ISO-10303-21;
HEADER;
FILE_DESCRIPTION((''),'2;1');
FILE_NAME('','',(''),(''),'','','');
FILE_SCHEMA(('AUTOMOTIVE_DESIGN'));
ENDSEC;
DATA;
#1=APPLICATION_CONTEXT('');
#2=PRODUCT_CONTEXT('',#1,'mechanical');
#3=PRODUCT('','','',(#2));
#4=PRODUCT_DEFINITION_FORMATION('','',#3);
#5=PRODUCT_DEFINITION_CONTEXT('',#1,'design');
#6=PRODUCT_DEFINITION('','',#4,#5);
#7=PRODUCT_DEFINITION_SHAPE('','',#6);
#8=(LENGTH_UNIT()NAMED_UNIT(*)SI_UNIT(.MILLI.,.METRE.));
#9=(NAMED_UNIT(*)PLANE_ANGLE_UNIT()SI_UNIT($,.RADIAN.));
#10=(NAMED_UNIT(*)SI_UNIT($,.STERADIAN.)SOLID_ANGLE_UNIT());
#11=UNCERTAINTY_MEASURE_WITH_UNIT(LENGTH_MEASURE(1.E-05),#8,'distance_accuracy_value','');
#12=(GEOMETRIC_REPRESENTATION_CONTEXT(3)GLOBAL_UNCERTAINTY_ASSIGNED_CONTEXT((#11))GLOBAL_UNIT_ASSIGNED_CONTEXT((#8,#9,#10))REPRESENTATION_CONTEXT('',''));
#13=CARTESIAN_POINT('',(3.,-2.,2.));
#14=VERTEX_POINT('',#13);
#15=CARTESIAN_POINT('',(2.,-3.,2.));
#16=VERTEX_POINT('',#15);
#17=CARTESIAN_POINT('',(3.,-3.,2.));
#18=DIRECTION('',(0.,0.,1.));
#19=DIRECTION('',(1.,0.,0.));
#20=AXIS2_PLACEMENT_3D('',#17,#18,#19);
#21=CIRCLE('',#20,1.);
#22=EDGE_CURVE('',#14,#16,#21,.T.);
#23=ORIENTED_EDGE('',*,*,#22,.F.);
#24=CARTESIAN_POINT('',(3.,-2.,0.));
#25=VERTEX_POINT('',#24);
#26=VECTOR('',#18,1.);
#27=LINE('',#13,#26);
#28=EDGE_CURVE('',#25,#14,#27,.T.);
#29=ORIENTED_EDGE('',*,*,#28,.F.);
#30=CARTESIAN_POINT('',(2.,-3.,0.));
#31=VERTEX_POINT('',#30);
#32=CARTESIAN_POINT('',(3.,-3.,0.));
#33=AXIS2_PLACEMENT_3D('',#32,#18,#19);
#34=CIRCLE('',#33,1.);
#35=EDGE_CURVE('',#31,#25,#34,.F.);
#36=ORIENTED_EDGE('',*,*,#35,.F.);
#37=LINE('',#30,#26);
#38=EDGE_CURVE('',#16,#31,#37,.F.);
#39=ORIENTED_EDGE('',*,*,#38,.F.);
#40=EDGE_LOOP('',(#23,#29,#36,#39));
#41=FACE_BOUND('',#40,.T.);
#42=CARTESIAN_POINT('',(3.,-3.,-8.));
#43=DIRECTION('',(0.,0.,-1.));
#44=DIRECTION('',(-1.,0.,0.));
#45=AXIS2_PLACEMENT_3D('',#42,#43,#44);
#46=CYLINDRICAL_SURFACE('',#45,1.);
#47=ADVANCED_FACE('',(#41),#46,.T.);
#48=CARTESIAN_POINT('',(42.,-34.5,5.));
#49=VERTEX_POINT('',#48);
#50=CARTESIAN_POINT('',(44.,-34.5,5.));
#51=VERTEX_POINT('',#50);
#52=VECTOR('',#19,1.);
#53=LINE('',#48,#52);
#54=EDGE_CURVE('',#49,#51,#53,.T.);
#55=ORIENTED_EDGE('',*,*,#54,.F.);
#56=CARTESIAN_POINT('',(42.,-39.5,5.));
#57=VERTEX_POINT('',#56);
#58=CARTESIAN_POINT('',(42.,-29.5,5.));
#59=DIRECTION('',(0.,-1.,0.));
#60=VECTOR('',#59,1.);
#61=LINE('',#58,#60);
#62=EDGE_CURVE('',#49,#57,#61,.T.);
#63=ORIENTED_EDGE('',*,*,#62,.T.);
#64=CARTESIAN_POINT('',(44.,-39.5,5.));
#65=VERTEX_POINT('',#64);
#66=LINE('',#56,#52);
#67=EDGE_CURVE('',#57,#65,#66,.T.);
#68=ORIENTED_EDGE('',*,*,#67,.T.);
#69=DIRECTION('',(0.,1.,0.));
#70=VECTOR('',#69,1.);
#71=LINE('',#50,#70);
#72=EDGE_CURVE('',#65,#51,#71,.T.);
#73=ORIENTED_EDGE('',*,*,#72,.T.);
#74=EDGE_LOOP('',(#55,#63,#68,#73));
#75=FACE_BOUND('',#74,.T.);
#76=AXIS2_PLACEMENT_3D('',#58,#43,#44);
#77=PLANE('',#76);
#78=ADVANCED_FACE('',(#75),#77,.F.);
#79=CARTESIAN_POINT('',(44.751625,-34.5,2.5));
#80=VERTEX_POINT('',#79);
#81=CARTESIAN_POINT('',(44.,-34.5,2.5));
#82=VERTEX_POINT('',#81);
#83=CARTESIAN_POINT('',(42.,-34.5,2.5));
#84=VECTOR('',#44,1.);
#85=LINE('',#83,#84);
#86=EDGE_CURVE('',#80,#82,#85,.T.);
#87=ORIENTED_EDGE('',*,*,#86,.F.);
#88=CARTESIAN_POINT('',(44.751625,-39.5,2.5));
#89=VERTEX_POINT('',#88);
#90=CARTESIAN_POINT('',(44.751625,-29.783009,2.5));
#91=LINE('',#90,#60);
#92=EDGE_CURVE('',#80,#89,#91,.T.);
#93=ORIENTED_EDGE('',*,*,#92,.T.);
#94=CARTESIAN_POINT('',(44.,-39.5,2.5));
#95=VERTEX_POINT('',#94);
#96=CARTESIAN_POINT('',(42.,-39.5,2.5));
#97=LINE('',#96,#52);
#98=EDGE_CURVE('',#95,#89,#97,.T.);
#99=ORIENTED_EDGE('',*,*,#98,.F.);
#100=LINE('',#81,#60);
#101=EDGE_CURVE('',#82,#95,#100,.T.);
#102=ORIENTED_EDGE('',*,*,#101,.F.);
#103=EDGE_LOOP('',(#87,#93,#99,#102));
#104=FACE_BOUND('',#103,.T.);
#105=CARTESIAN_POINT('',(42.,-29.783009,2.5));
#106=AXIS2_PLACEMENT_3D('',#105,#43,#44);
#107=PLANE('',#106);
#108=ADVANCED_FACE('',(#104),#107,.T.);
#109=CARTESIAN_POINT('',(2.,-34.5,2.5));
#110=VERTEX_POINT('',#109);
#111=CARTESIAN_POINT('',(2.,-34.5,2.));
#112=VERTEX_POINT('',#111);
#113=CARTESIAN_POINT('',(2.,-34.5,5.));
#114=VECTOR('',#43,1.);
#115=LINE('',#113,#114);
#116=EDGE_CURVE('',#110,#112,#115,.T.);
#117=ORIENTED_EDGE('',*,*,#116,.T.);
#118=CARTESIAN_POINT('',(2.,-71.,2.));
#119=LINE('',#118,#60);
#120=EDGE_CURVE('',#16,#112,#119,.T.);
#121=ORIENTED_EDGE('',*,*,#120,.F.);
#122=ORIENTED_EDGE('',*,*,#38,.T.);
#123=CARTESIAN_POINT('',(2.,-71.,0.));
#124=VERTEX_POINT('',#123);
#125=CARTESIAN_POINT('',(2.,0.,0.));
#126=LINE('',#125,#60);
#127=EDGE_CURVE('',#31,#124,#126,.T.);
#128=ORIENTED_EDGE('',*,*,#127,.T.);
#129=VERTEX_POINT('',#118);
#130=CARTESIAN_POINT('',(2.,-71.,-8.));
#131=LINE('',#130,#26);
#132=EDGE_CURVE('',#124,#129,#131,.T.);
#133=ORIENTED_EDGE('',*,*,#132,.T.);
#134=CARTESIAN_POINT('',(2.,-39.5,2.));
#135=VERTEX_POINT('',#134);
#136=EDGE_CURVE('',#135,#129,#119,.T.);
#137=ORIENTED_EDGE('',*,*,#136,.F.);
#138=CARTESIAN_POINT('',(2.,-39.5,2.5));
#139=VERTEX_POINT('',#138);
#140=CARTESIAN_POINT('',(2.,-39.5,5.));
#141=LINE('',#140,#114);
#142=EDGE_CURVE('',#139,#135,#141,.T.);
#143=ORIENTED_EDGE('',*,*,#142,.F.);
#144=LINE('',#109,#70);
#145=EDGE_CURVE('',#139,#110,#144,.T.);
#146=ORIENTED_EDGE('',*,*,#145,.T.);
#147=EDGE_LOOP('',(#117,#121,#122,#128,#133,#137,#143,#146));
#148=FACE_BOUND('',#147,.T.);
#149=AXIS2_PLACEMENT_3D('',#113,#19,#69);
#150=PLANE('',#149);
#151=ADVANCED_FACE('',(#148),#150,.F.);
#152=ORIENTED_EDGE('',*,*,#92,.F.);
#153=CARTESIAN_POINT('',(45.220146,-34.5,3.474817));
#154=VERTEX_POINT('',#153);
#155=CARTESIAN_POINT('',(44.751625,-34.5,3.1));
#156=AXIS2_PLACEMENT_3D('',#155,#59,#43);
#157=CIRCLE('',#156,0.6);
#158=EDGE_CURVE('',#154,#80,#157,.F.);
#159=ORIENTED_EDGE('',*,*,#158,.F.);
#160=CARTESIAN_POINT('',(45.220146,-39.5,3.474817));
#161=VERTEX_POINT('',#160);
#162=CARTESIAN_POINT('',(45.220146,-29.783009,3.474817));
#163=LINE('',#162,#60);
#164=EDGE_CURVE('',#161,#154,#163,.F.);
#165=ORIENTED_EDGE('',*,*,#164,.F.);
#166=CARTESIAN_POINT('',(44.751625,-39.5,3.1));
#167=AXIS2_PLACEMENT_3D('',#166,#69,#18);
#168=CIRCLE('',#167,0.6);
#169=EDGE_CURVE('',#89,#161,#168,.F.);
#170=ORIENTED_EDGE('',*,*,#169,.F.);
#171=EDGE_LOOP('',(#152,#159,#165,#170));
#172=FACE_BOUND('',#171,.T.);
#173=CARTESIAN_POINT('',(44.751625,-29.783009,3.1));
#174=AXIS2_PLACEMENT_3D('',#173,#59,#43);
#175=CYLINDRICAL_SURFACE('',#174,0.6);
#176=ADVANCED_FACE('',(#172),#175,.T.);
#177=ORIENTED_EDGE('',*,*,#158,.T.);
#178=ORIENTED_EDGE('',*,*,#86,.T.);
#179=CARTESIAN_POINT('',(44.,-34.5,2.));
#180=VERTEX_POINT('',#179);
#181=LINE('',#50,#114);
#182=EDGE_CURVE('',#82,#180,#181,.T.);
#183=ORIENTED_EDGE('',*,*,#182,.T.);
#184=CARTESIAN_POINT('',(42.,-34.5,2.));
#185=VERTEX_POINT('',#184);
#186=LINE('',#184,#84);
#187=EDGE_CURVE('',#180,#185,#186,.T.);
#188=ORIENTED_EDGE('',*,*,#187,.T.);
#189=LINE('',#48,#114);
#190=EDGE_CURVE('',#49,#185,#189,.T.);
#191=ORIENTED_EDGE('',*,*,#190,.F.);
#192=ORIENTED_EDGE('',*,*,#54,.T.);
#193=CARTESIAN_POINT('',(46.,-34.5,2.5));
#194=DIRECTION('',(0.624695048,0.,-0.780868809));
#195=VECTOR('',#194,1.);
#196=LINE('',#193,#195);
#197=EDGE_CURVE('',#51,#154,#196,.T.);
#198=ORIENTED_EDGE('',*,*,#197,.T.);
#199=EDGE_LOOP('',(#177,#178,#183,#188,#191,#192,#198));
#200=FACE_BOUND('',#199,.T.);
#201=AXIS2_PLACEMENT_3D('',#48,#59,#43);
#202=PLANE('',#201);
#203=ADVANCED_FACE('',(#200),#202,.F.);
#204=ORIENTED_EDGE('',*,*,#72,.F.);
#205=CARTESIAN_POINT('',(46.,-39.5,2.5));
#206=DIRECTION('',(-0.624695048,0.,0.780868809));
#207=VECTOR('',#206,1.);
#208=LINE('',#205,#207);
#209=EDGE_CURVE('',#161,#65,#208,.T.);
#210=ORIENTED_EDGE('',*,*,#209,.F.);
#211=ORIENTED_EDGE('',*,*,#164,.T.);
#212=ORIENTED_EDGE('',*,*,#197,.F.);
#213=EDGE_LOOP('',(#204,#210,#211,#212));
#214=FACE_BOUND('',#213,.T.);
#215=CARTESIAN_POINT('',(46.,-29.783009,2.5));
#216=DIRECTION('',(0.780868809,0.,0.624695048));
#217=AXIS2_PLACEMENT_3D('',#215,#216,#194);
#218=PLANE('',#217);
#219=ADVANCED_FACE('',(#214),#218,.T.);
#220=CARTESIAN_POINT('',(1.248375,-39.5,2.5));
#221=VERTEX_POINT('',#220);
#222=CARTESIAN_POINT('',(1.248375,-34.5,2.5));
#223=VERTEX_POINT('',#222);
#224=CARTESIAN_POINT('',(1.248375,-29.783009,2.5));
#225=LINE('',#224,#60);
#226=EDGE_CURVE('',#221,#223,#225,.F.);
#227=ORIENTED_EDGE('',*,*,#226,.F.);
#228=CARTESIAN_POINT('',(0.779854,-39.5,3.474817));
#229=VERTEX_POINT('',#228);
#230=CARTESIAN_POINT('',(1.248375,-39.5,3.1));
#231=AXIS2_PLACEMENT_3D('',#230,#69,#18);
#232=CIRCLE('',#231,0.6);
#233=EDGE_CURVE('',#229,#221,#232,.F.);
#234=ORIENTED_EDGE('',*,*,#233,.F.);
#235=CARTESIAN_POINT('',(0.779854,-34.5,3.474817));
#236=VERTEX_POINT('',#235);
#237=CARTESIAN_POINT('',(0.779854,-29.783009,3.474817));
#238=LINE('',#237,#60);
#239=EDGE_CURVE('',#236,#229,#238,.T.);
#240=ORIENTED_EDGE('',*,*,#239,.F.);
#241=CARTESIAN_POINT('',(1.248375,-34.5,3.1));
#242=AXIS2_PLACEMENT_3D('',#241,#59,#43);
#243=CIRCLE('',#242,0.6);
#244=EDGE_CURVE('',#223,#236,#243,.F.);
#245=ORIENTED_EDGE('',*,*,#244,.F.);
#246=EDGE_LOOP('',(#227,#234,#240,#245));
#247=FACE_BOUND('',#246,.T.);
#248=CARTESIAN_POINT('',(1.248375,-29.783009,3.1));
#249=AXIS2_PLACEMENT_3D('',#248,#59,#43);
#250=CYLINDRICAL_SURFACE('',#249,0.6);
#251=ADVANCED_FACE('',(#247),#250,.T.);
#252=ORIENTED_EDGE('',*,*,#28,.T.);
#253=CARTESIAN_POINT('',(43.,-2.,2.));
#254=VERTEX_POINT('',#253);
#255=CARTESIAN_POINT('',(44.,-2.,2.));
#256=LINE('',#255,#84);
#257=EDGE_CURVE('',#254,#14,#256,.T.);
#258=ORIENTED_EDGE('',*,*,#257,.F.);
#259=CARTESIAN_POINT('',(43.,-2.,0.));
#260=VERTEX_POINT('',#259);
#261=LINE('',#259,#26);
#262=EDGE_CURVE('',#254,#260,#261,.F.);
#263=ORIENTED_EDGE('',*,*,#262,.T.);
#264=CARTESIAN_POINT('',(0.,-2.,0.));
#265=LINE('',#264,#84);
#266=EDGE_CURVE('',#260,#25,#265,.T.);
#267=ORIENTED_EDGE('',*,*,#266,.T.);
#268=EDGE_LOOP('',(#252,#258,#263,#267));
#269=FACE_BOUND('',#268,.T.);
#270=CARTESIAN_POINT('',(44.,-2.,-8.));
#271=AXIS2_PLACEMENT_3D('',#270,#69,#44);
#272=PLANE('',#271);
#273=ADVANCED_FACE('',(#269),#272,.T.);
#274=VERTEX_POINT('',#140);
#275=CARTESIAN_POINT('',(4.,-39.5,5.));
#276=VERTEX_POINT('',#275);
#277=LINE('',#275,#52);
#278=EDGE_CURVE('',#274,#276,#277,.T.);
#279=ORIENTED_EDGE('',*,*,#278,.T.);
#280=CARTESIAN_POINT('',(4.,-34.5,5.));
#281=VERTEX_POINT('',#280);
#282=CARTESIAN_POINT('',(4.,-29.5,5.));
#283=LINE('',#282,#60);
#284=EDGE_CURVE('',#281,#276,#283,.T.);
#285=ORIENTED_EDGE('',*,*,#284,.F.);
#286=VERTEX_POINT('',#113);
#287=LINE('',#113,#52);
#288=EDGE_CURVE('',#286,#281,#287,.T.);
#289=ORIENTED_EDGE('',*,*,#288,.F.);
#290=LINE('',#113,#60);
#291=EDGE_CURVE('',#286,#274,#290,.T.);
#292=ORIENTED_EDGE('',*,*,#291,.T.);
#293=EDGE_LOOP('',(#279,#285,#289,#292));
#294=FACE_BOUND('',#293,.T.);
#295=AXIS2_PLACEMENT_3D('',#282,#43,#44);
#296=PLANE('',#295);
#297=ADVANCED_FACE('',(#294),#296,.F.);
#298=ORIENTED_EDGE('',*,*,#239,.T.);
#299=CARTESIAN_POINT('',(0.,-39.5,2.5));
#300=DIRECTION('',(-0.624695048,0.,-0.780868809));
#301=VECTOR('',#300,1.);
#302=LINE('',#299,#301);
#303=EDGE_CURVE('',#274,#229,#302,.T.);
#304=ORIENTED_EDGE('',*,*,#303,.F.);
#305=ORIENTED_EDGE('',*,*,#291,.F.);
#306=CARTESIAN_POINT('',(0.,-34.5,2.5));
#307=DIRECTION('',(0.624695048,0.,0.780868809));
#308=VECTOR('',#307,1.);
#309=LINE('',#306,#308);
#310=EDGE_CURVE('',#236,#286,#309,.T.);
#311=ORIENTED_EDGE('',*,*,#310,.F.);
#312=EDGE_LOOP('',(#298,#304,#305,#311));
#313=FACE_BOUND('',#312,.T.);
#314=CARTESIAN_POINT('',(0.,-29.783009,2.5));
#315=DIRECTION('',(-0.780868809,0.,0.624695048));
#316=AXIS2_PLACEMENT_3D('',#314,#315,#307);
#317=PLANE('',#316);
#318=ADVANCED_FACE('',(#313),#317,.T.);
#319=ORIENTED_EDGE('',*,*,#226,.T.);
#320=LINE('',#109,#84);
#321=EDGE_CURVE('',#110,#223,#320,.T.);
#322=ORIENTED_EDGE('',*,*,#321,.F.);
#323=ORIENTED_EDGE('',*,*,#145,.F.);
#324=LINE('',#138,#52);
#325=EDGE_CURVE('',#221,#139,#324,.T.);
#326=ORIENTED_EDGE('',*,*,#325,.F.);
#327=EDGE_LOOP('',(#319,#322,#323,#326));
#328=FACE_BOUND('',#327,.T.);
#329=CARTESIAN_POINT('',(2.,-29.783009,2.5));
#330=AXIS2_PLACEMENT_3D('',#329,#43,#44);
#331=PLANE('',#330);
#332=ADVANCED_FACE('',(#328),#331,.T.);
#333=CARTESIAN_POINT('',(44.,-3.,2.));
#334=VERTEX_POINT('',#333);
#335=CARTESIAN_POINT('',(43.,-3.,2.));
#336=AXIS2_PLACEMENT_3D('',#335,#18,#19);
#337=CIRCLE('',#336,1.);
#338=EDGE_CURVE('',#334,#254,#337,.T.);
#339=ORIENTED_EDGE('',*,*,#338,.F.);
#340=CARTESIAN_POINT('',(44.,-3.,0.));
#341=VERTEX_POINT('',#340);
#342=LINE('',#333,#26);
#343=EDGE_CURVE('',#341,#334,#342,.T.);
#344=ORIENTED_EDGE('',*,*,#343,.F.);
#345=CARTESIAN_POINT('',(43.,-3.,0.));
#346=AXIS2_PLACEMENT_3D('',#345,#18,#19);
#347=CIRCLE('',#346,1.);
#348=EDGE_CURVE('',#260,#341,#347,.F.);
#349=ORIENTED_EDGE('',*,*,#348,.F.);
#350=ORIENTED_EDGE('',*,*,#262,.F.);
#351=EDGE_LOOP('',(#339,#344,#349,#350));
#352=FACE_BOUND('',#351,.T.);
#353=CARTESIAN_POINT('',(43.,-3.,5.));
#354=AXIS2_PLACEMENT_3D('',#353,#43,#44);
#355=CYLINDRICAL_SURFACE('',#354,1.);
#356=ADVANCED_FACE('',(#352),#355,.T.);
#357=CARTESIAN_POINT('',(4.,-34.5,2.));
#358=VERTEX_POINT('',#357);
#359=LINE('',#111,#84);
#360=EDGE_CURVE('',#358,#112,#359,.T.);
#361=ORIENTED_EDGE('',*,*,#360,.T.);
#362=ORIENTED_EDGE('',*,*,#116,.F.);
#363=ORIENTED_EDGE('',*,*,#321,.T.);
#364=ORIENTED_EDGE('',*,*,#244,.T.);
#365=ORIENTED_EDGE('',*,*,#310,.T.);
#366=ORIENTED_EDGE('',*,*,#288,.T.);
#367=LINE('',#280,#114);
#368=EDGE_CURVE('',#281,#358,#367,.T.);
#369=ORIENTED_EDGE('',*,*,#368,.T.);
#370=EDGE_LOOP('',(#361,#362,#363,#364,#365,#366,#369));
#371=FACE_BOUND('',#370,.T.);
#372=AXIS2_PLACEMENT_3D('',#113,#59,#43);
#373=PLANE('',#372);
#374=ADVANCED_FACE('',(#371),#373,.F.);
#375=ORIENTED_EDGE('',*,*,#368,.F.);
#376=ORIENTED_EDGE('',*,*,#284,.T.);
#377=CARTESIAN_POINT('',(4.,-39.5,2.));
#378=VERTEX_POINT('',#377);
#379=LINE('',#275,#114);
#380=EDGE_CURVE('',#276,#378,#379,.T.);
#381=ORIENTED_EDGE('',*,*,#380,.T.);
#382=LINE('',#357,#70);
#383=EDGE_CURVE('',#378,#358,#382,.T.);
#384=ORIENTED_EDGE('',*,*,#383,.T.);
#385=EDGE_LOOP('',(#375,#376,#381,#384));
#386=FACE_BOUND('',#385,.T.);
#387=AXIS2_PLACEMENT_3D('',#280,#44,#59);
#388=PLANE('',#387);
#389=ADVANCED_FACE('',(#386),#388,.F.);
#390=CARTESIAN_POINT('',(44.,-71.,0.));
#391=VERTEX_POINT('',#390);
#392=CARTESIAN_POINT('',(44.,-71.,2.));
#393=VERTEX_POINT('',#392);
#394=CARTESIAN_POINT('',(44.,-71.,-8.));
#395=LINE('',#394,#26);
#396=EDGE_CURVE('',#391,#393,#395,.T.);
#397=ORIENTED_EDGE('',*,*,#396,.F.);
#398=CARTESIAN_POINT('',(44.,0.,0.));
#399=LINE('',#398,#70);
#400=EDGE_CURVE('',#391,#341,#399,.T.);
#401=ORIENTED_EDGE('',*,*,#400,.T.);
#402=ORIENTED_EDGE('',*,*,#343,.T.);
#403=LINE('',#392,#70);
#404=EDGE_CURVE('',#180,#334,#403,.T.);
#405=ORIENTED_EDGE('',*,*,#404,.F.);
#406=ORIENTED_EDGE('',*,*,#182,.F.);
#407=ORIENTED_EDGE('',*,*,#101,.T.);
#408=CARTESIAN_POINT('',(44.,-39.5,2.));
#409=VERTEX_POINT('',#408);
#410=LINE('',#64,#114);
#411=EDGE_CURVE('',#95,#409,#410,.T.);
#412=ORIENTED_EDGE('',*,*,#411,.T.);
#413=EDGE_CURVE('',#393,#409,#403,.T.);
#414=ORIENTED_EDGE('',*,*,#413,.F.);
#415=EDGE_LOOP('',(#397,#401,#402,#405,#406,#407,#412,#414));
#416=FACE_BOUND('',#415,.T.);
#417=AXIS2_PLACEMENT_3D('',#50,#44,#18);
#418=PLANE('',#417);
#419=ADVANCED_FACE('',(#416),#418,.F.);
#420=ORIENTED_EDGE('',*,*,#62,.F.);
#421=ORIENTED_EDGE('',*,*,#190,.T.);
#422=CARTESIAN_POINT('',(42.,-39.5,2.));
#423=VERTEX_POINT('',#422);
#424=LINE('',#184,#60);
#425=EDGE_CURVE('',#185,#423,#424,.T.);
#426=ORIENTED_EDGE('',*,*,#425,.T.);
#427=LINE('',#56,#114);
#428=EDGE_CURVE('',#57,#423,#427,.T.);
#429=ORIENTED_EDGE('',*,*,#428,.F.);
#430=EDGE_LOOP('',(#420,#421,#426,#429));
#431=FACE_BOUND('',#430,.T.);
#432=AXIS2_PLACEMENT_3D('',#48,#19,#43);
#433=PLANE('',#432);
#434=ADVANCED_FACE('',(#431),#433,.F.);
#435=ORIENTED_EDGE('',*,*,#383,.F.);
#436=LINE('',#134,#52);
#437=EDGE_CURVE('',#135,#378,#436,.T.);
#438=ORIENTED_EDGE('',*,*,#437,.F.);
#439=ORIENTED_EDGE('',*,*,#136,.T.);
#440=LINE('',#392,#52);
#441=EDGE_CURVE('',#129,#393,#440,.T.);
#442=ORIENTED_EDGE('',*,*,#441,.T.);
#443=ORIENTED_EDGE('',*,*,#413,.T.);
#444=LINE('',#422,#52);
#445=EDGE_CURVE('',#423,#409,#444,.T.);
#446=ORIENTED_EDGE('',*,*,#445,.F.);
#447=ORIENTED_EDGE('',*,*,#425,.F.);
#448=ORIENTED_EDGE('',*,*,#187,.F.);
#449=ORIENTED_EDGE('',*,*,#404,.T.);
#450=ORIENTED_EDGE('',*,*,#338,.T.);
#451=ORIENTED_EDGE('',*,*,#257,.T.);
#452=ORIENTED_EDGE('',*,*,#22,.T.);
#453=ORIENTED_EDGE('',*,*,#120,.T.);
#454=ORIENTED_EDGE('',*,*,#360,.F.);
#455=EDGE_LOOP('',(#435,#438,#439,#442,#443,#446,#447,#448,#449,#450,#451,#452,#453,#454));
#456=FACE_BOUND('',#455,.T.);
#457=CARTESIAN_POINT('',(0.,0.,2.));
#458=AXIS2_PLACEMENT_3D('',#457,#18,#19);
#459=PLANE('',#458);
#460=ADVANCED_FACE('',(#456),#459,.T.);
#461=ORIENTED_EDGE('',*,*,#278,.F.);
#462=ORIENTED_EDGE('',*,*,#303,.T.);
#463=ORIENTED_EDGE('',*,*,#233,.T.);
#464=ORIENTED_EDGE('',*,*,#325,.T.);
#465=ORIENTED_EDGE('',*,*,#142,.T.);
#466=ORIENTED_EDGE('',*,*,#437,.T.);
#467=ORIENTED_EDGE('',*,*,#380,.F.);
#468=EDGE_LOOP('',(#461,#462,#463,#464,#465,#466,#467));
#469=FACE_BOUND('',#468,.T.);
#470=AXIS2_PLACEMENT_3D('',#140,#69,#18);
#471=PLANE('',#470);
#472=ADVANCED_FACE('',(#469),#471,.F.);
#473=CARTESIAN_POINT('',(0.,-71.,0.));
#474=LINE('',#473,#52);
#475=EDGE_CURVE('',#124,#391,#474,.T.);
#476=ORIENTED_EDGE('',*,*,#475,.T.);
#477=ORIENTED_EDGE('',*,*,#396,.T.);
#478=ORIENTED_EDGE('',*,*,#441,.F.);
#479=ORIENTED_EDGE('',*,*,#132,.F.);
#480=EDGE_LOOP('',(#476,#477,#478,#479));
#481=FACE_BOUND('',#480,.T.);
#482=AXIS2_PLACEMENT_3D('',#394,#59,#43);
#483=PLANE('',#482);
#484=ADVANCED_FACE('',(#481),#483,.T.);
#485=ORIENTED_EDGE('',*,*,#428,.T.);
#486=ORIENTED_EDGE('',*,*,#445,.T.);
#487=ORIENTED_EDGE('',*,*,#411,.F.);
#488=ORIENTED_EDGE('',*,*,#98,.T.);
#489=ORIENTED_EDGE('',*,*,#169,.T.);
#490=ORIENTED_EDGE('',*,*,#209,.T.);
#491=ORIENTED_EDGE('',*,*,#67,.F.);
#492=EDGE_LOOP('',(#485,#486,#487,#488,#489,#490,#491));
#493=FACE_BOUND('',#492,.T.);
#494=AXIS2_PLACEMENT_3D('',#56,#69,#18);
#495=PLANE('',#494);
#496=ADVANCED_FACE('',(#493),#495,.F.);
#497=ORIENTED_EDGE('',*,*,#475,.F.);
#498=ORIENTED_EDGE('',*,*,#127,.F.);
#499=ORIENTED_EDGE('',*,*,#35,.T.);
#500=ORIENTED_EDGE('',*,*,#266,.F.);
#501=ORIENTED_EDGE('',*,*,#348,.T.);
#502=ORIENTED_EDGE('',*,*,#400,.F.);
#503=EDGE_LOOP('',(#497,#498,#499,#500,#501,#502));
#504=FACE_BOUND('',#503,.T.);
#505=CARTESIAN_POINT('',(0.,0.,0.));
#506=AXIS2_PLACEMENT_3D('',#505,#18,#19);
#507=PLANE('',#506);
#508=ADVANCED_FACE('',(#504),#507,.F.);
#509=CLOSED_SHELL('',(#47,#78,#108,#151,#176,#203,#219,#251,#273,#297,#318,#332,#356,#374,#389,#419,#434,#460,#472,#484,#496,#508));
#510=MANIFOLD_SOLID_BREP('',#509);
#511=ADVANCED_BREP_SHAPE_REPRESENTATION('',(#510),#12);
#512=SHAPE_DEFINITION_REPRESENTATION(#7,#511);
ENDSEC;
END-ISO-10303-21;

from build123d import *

# Parameters (mm, degrees)
SKETCH1_W           = 46
SKETCH1_H           = 73
BOSS_EXTRUDE1_DEPTH = 2
SKETCH2_W           = 2
SKETCH2_H           = 5
BOSS_EXTRUDE2_DEPTH = 3
BOSS_EXTRUDE3_DEPTH = 5
FILLET1_R           = 0.6
FILLET2_R           = 5
SKETCH5_W           = 46
SKETCH5_H           = 73
SKETCH5_W_2         = 42
SKETCH5_H_2         = 69
CUT_EXTRUDE1_DEPTH  = 10
FILLET3_R           = 1
SKETCH6_W           = 4.312342675
SKETCH6_H           = 2.937978419
SKETCH6_W_2         = 4.686780993
SKETCH6_H_2         = 2.65792504
CUT_EXTRUDE2_DEPTH  = 10
BOSS_EXTRUDE4_DEPTH = 5
FILLET4_R           = 0.6


with BuildPart() as part:
    # Sketch1 → Boss-Extrude1 (new body)
    with BuildSketch(Plane.XY):
        with Locations((23, -36.5)):
            Rectangle(SKETCH1_W, SKETCH1_H)
    extrude(amount=BOSS_EXTRUDE1_DEPTH)

    # Sketch2 → Boss-Extrude2 (add)
    with BuildSketch(Plane.XY.offset(2)):
        with Locations((3, -37)):
            Rectangle(SKETCH2_W, SKETCH2_H)
        with Locations((43, -37)):
            Rectangle(SKETCH2_W, SKETCH2_H)
    extrude(amount=BOSS_EXTRUDE2_DEPTH)

    # Sketch3 → Boss-Extrude3 (add)
    with BuildSketch(Plane.XZ.offset(39.5)):
        Polygon((2, 5), (0, 5), (2, 7), (4, 7), (4, 5), align=None)
        Polygon((44, 5), (46, 5), (44, 7), (42, 7), (42, 5), align=None)
    extrude(amount=-BOSS_EXTRUDE3_DEPTH)

    # Fillet1
    fillet1_edges = [part.edges().sort_by_distance(p)[0] for p in [
        (0, -37, 5),
        (46, -37, 5),
    ]]
    fillet(fillet1_edges, radius=FILLET1_R)

    # Fillet2
    fillet2_edges = [part.edges().sort_by_distance(p)[0] for p in [
        (0, 0, 1),
        (46, 0, 1),
    ]]
    fillet(fillet2_edges, radius=FILLET2_R)

    # Sketch5 → Cut-Extrude1 (cut)
    with BuildSketch(Plane.XY.offset(2)):
        with Locations((23, -36.5)):
            Rectangle(SKETCH5_W, SKETCH5_H)
        with Locations((23, -36.5)):
            Rectangle(SKETCH5_W_2, SKETCH5_H_2, mode=Mode.SUBTRACT)
    extrude(amount=-CUT_EXTRUDE1_DEPTH, mode=Mode.SUBTRACT)

    # Fillet3
    fillet3_edges = [part.edges().sort_by_distance(p)[0] for p in [
        (2, -2, 1),
        (44, -2, 1),
    ]]
    fillet(fillet3_edges, radius=FILLET3_R)

    # Sketch6 → Cut-Extrude2 (cut)
    with BuildSketch(Plane.XZ.offset(39.5)):
        with Locations((1.843828662, 6.46898921)):
            Rectangle(SKETCH6_W, SKETCH6_H)
        with Locations((44.343390497, 6.32896252)):
            Rectangle(SKETCH6_W_2, SKETCH6_H_2)
    extrude(amount=-CUT_EXTRUDE2_DEPTH, mode=Mode.SUBTRACT)

    # Sketch7 → Boss-Extrude4 (add)
    with BuildSketch(Plane.XZ.offset(39.5)):
        Polygon((2, 2.5), (0, 2.5), (2, 5), (4, 5), (4, 2.5), align=None)
        Polygon((42, 2.5), (46, 2.5), (44, 5), (42, 5), align=None)
    extrude(amount=-BOSS_EXTRUDE4_DEPTH)

    # Fillet4
    fillet4_edges = [part.edges().sort_by_distance(p)[0] for p in [
        (0, -37, 2.5),
        (46, -37, 2.5),
    ]]
    fillet(fillet4_edges, radius=FILLET4_R)


solid = part.part
